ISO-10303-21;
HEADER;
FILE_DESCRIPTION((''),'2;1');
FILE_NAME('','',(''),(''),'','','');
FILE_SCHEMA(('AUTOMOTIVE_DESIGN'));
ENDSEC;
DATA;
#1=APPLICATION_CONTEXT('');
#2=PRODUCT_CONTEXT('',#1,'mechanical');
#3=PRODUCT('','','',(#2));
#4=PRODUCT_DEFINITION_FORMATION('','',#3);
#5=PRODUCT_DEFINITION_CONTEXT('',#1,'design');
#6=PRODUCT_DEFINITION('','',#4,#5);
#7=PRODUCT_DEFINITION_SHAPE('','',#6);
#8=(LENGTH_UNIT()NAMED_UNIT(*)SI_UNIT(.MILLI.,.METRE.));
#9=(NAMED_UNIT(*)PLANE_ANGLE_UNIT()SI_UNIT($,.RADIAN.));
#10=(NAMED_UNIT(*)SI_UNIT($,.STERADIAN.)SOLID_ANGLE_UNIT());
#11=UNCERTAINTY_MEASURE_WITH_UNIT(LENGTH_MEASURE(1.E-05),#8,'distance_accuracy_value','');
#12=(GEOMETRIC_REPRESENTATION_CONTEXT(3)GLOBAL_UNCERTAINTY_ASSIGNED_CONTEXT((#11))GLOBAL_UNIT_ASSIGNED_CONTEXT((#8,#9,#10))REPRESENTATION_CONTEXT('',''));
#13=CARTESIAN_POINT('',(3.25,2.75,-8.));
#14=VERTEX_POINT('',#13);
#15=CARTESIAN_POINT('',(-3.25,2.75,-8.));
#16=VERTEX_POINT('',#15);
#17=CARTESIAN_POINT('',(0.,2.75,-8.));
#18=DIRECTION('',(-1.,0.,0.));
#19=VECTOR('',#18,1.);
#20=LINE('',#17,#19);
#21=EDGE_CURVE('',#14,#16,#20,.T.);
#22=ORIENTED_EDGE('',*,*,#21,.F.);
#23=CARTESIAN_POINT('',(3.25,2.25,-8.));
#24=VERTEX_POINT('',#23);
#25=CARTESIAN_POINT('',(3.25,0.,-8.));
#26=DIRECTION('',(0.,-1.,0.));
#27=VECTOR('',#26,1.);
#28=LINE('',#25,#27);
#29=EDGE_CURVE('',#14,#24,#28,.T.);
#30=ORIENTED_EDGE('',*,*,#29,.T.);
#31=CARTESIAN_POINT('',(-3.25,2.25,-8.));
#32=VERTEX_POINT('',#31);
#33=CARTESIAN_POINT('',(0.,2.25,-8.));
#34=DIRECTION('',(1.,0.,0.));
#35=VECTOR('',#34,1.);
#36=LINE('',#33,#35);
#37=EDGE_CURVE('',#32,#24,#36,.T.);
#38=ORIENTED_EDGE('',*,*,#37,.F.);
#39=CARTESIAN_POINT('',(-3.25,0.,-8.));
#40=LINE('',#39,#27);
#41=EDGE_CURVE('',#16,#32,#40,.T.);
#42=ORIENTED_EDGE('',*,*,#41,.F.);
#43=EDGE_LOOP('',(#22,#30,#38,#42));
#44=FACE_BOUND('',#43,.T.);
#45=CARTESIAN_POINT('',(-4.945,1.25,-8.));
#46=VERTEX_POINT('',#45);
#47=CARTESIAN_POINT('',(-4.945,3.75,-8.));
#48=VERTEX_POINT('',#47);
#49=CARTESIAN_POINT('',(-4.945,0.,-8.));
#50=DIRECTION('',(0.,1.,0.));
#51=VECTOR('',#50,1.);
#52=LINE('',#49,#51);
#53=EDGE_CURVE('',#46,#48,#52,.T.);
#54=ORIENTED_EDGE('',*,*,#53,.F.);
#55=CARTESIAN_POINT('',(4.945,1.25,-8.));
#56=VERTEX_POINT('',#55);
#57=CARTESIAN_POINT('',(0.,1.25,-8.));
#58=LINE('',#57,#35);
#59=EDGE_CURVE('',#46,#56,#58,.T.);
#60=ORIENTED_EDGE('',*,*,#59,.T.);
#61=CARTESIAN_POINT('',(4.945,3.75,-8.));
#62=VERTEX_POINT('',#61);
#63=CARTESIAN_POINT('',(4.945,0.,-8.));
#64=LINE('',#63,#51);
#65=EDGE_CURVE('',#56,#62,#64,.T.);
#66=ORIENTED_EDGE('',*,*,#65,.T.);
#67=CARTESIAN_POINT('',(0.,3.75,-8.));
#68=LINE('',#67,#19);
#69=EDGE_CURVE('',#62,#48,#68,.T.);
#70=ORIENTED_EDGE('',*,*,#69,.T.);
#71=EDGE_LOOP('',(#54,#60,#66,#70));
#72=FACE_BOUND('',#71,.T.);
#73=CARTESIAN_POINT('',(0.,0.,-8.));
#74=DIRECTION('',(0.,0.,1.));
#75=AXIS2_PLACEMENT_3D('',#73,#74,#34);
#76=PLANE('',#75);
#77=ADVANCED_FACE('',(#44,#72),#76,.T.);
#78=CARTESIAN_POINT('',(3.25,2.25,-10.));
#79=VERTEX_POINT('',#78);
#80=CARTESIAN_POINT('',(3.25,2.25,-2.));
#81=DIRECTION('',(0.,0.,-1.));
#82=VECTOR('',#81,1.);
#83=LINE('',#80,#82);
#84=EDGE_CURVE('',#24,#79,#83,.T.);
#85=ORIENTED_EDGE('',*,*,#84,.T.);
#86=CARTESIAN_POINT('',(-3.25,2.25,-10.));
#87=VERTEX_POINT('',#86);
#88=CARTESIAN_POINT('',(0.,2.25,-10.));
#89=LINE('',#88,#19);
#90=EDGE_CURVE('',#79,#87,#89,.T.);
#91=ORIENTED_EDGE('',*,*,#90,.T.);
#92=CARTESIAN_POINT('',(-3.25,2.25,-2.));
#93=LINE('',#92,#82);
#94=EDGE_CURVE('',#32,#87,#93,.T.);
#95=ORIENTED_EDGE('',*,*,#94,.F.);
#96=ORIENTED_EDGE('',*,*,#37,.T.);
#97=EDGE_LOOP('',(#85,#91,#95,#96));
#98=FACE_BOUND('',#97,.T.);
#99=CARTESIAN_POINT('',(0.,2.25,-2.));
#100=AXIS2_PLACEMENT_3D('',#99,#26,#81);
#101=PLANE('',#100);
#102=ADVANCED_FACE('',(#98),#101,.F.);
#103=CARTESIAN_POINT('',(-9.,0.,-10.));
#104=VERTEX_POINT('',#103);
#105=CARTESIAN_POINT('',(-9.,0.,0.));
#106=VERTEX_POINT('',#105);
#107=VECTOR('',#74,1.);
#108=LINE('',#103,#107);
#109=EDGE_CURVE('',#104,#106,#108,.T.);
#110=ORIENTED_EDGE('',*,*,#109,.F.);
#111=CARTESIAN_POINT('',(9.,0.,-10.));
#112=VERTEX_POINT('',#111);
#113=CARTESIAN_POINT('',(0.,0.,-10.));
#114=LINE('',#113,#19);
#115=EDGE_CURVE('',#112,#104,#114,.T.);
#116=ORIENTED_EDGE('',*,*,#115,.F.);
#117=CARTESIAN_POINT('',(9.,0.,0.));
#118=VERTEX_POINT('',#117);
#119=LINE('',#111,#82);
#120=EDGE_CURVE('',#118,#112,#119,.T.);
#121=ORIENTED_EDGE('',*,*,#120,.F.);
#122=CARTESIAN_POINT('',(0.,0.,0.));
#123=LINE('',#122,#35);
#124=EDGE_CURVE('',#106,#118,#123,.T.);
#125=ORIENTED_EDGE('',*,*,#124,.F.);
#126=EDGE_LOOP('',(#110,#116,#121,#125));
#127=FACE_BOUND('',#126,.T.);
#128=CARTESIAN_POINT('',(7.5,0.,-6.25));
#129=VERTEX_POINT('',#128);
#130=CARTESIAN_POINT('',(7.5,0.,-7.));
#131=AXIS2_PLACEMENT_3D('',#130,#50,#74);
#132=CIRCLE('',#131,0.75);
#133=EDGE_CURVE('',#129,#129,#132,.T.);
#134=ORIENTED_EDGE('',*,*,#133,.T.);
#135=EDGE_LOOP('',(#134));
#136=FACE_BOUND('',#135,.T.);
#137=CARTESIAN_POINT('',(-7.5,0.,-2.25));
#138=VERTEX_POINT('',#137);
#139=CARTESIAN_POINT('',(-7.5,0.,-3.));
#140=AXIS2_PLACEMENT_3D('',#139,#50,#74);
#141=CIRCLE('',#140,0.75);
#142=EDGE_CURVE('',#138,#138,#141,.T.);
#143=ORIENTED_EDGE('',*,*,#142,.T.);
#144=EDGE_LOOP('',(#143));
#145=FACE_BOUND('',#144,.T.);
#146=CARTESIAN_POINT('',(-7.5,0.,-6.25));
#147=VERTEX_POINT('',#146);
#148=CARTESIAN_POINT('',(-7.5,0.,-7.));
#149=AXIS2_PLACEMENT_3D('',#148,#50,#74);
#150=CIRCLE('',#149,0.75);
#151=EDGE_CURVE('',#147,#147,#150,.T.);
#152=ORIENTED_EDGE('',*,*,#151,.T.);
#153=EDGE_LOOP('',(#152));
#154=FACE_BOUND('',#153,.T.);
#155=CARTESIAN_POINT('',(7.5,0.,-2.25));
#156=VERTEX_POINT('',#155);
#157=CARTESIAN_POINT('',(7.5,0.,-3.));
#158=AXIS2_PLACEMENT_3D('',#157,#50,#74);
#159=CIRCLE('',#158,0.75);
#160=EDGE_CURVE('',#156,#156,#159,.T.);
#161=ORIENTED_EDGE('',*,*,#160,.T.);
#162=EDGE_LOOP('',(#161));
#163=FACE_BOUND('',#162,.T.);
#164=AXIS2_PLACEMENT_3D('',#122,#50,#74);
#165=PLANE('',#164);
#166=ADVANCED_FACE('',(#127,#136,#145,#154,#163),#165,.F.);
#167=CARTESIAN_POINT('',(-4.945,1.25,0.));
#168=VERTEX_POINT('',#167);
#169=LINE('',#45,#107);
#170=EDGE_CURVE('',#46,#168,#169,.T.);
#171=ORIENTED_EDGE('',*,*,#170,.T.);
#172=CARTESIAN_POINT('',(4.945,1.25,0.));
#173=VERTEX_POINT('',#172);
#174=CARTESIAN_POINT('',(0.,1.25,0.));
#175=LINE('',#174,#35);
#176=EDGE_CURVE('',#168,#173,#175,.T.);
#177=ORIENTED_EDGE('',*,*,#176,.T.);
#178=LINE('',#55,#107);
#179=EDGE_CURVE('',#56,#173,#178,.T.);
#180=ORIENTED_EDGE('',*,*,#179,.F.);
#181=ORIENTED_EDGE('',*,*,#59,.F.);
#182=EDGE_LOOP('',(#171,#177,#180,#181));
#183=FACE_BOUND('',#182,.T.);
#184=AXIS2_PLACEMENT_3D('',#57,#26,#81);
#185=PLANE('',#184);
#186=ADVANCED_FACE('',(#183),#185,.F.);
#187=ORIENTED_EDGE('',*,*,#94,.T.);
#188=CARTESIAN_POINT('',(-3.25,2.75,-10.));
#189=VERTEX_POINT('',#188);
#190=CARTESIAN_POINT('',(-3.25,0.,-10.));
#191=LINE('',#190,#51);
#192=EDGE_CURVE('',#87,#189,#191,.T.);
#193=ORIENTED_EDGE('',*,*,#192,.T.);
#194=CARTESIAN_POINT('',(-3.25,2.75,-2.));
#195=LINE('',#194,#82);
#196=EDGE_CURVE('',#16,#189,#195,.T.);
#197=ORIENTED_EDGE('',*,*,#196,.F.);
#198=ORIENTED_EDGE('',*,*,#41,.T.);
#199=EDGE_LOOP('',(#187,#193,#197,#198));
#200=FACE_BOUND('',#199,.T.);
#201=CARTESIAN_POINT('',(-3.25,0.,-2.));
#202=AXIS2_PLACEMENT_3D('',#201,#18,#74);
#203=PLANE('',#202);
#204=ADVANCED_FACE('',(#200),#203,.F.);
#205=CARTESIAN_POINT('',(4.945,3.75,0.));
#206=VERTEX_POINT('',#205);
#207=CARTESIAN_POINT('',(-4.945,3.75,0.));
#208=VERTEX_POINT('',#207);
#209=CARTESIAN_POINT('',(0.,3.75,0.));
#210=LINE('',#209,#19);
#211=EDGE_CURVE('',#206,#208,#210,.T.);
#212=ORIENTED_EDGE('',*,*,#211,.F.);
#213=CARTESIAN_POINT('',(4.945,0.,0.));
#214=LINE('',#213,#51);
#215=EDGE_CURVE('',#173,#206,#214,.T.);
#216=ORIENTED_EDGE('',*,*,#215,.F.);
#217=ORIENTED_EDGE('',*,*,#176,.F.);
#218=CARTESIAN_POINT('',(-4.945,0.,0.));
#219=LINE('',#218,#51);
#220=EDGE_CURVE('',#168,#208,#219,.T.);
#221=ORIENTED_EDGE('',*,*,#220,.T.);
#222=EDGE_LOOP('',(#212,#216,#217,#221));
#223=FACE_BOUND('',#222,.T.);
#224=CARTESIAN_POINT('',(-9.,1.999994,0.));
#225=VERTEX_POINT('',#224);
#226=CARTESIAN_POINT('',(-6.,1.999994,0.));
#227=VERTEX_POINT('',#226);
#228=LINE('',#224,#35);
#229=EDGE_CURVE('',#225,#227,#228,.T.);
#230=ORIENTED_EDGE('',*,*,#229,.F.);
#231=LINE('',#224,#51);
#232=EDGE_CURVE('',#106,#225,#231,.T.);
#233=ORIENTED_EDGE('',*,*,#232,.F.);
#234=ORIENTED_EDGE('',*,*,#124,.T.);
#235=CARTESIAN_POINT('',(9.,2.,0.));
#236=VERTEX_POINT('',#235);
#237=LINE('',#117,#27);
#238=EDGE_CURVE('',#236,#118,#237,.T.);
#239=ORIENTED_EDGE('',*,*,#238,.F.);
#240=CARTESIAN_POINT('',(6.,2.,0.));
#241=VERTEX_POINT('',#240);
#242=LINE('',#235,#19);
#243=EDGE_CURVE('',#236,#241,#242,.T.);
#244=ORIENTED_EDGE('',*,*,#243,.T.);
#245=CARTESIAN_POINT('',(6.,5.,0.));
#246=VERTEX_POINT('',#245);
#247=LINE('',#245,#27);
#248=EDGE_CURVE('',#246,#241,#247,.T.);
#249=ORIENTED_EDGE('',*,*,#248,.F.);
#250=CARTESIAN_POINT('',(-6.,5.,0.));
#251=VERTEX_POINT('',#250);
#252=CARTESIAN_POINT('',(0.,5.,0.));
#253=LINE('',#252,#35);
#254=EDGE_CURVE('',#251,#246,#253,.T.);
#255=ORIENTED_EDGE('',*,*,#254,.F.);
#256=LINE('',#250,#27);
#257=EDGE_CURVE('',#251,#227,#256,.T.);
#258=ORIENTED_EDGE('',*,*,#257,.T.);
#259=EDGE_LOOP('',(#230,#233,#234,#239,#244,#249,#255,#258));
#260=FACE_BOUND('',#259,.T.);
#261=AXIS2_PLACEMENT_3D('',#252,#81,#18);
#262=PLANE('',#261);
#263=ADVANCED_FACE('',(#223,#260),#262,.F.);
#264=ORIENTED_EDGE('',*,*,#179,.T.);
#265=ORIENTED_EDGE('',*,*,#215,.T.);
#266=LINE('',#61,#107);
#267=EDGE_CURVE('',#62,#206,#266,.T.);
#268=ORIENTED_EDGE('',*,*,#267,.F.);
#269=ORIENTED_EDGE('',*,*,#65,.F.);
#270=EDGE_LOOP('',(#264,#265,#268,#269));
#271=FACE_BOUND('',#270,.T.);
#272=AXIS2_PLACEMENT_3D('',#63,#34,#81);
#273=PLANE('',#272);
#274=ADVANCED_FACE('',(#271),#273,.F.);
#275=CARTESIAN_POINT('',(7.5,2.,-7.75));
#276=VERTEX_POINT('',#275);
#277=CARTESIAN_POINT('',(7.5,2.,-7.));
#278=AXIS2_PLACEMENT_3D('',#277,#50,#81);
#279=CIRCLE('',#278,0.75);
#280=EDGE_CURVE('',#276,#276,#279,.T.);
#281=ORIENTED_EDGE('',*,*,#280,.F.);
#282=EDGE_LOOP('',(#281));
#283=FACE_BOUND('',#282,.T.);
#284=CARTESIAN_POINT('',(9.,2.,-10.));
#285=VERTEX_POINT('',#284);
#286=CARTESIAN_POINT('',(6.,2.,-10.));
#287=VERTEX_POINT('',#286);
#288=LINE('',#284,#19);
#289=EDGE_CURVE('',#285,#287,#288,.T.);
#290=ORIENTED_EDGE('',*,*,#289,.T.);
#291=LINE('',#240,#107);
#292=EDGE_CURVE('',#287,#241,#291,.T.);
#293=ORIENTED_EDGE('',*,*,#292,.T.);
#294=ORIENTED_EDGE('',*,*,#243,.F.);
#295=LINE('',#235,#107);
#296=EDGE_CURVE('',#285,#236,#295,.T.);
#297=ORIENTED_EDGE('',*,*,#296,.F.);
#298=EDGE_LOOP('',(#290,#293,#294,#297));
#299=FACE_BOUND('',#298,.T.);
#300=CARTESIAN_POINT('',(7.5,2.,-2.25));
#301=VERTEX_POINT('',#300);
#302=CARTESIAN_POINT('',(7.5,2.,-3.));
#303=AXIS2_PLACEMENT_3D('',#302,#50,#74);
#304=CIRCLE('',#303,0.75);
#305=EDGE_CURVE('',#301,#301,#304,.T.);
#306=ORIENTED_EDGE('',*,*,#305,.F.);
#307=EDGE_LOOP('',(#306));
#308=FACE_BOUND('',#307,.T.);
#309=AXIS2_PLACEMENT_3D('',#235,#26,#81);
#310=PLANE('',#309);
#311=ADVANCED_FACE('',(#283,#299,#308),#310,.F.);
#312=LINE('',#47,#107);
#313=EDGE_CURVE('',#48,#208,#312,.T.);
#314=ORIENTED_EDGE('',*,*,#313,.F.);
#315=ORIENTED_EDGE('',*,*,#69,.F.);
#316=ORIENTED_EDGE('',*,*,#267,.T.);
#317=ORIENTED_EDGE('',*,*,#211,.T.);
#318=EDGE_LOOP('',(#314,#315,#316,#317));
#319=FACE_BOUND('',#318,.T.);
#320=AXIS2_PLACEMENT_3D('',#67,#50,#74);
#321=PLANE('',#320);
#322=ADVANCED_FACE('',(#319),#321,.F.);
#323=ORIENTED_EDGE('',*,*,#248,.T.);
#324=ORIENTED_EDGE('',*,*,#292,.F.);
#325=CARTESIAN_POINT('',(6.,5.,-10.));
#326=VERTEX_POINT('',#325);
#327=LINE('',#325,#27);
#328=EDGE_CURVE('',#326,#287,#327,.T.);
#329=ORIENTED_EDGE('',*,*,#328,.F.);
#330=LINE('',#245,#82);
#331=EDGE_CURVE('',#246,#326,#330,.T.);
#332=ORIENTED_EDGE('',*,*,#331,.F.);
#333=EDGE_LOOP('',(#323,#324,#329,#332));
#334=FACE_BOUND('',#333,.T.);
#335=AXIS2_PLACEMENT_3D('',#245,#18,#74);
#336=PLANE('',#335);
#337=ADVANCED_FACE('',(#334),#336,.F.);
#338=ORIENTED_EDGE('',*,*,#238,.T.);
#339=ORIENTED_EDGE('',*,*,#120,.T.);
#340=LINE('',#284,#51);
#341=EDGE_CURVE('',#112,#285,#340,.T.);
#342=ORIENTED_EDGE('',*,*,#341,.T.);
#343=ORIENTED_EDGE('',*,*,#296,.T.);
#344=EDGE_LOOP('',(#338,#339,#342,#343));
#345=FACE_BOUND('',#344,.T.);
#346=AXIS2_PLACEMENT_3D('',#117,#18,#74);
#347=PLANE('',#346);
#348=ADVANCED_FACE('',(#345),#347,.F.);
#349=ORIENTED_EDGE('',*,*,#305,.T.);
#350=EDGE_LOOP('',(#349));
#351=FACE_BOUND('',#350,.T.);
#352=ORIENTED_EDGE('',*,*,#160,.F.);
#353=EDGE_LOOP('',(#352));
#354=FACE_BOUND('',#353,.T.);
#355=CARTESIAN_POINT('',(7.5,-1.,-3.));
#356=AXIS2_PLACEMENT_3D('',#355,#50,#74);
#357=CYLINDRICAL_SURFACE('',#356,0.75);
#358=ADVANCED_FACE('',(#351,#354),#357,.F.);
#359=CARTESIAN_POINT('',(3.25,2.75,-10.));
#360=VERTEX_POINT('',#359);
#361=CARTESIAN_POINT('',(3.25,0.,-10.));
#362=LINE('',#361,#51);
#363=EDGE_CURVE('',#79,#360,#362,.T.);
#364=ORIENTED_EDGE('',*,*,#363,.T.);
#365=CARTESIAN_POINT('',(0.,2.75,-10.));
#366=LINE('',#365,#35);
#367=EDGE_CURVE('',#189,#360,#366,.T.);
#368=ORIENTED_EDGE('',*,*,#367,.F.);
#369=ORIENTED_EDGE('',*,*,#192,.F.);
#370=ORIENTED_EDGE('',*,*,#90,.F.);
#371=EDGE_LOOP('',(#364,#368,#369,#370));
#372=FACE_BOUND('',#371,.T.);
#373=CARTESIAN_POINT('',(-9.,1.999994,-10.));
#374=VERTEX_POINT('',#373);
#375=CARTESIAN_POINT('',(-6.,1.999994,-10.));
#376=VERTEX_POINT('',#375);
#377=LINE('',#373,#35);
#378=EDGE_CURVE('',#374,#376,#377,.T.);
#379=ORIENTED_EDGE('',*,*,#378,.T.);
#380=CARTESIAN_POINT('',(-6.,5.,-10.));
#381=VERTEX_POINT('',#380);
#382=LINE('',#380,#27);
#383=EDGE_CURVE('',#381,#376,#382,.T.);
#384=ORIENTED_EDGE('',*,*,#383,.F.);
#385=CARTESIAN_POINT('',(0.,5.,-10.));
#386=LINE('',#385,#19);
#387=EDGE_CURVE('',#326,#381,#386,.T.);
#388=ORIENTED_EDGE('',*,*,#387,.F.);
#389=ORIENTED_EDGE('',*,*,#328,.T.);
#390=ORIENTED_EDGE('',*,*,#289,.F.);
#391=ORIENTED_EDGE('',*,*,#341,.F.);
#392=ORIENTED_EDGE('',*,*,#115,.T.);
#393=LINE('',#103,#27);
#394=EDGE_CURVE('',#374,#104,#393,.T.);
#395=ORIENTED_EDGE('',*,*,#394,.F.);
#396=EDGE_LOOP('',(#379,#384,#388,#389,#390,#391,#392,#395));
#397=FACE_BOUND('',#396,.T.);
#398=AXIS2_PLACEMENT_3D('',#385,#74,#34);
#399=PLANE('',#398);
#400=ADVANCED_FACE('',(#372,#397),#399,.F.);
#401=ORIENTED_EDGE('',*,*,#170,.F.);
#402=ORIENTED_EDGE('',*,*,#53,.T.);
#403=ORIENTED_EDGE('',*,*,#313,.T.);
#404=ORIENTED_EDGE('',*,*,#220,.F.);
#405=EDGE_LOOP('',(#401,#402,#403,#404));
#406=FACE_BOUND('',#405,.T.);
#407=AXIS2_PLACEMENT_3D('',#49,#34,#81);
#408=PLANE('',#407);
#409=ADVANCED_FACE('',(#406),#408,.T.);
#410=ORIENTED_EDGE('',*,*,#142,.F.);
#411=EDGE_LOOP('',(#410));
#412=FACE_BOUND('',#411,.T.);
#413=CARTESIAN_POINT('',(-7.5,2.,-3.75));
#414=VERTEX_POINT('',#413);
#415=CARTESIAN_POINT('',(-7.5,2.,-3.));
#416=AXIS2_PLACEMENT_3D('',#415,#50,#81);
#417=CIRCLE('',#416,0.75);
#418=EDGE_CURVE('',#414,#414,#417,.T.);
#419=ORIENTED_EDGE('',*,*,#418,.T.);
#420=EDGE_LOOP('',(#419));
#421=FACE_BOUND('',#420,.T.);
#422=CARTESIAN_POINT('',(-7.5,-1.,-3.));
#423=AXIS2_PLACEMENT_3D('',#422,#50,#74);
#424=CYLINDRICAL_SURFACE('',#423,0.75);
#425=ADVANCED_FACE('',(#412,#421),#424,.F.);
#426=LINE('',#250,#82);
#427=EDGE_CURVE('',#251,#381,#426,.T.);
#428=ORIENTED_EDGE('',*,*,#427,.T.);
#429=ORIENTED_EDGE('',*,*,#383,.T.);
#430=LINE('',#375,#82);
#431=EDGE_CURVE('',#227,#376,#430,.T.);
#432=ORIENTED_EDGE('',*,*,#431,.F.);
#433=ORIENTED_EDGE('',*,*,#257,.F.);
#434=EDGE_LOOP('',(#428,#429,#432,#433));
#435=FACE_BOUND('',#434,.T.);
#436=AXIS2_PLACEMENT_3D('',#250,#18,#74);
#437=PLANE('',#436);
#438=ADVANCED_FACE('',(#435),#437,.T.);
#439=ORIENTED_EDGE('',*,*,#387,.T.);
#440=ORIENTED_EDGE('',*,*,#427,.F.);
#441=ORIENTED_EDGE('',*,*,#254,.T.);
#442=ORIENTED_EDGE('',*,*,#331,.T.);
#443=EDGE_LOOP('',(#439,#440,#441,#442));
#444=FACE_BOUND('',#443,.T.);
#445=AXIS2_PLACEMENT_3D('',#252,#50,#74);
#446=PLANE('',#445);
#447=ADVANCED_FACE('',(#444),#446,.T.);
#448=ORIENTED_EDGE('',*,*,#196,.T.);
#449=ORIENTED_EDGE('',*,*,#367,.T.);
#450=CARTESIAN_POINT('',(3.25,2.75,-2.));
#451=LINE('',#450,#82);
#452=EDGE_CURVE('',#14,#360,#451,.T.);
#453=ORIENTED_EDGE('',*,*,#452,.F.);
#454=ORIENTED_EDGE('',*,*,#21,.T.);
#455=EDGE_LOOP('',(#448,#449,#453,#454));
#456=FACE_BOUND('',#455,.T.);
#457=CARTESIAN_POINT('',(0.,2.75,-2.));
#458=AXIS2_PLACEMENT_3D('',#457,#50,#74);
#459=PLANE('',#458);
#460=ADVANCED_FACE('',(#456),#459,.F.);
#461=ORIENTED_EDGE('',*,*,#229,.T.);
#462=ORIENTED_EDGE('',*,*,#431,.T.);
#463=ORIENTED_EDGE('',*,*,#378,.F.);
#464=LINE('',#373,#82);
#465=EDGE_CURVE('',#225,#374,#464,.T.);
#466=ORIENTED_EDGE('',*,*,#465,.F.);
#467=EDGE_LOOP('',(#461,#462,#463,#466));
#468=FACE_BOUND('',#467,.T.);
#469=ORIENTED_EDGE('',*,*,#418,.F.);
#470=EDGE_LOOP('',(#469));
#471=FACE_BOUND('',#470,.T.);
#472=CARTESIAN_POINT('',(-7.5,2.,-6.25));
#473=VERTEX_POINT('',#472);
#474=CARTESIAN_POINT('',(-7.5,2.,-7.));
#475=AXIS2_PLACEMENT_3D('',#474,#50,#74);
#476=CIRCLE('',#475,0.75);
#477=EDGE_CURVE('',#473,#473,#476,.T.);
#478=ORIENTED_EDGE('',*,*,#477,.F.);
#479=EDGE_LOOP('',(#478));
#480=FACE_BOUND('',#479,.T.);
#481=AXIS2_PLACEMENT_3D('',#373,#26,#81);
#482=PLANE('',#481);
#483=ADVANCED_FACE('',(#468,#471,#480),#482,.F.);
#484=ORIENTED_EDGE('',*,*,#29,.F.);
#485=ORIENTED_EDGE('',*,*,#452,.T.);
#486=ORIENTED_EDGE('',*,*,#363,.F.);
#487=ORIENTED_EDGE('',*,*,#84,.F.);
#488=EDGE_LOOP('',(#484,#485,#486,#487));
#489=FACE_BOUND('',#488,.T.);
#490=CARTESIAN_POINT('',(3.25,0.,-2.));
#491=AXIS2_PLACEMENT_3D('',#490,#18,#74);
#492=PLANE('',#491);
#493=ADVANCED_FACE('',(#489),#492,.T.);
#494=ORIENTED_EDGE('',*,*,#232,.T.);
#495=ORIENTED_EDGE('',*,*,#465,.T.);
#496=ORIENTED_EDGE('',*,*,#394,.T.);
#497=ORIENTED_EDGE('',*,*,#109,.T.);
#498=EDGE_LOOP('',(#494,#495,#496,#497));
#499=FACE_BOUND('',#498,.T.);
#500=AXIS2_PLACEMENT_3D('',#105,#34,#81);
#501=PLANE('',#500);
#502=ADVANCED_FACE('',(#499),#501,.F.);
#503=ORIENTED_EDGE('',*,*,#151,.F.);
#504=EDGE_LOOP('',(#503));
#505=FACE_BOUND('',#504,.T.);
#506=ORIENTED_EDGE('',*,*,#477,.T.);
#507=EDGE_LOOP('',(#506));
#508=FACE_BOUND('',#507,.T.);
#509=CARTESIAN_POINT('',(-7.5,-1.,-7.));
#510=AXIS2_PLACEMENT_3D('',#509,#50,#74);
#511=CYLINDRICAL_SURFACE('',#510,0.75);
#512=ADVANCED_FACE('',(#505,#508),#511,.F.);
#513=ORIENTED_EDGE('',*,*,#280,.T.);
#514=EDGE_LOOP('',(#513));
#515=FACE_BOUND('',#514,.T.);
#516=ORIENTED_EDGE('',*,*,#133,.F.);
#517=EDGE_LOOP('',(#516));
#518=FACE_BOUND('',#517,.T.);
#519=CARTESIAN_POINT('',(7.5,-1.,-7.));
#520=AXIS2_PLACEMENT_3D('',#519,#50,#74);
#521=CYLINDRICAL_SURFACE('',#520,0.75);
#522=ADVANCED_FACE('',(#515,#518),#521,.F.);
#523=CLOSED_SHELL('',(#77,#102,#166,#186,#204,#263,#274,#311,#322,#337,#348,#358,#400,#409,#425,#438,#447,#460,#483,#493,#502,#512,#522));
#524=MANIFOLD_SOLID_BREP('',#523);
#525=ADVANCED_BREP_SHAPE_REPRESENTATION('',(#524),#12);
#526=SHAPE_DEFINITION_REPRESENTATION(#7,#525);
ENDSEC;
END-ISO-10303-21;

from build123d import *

# Parameters (mm, degrees)
SKETCH2_W           = 6
SKETCH2_H           = 10
BOSS_EXTRUDE2_DEPTH = 5
SKETCH4_W           = 4.945
SKETCH4_H           = 2.5
CUT_EXTRUDE1_DEPTH  = 8
SKETCH6_W           = 3.25
SKETCH6_H           = 0.5
CUT_EXTRUDE2_DEPTH  = 8
SKETCH7_W           = 10
SKETCH7_H           = 1.999993684
BOSS_EXTRUDE3_DEPTH = 3
SKETCH8_W           = 10
SKETCH8_H           = 2
BOSS_EXTRUDE4_DEPTH = 3
SKETCH11_R          = 0.75
CUT_EXTRUDE7_DEPTH  = 3


with BuildPart() as part:
    # Sketch2 → Boss-Extrude2 (new body)
    with BuildSketch(Plane(origin=(0, 0, 0), x_dir=(1, 0, 0), z_dir=(0, 1, 0))):
        with Locations((-3, 5)):
            Rectangle(SKETCH2_W, SKETCH2_H)
        with Locations((3, 5)):
            Rectangle(SKETCH2_W, SKETCH2_H)
    extrude(amount=BOSS_EXTRUDE2_DEPTH)

    # Sketch4 → Cut-Extrude1 (cut)
    with BuildSketch(Plane.XY):
        with Locations((-2.4725, 2.5)):
            Rectangle(SKETCH4_W, SKETCH4_H)
        with Locations((2.4725, 2.5)):
            Rectangle(SKETCH4_W, SKETCH4_H)
    extrude(amount=-CUT_EXTRUDE1_DEPTH, mode=Mode.SUBTRACT)

    # Sketch6 → Cut-Extrude2 (cut)
    with BuildSketch(Plane(origin=(0, 0, -10), x_dir=(-1, 0, 0), z_dir=(0, 0, -1))):
        with Locations((-1.625, 2.5)):
            Rectangle(SKETCH6_W, SKETCH6_H)
        with Locations((1.625, 2.5)):
            Rectangle(SKETCH6_W, SKETCH6_H)
    extrude(amount=-CUT_EXTRUDE2_DEPTH, mode=Mode.SUBTRACT)

    # Sketch7 → Boss-Extrude3 (add)
    with BuildSketch(Plane.ZY.offset(6)):
        with Locations((-5, 0.999996842)):
            Rectangle(SKETCH7_W, SKETCH7_H)
    extrude(amount=BOSS_EXTRUDE3_DEPTH)

    # Sketch8 → Boss-Extrude4 (add)
    with BuildSketch(Plane(origin=(6, 0, 0), x_dir=(0, 0, -1), z_dir=(1, 0, 0))):
        with Locations((5, 1)):
            Rectangle(SKETCH8_W, SKETCH8_H)
    extrude(amount=BOSS_EXTRUDE4_DEPTH)

    # Sketch11 → Cut-Extrude7 (cut)
    with BuildSketch(Plane(origin=(0, 2, 0), x_dir=(1, 0, 0), z_dir=(0, 1, 0))):
        with Locations((-7.5, 7)):
            Circle(SKETCH11_R)
        with Locations((-7.5, 3)):
            Circle(SKETCH11_R)
        with Locations((7.5, 3)):
            Circle(SKETCH11_R)
        with Locations((7.5, 7)):
            Circle(SKETCH11_R)
    extrude(amount=-CUT_EXTRUDE7_DEPTH, mode=Mode.SUBTRACT)


solid = part.part
